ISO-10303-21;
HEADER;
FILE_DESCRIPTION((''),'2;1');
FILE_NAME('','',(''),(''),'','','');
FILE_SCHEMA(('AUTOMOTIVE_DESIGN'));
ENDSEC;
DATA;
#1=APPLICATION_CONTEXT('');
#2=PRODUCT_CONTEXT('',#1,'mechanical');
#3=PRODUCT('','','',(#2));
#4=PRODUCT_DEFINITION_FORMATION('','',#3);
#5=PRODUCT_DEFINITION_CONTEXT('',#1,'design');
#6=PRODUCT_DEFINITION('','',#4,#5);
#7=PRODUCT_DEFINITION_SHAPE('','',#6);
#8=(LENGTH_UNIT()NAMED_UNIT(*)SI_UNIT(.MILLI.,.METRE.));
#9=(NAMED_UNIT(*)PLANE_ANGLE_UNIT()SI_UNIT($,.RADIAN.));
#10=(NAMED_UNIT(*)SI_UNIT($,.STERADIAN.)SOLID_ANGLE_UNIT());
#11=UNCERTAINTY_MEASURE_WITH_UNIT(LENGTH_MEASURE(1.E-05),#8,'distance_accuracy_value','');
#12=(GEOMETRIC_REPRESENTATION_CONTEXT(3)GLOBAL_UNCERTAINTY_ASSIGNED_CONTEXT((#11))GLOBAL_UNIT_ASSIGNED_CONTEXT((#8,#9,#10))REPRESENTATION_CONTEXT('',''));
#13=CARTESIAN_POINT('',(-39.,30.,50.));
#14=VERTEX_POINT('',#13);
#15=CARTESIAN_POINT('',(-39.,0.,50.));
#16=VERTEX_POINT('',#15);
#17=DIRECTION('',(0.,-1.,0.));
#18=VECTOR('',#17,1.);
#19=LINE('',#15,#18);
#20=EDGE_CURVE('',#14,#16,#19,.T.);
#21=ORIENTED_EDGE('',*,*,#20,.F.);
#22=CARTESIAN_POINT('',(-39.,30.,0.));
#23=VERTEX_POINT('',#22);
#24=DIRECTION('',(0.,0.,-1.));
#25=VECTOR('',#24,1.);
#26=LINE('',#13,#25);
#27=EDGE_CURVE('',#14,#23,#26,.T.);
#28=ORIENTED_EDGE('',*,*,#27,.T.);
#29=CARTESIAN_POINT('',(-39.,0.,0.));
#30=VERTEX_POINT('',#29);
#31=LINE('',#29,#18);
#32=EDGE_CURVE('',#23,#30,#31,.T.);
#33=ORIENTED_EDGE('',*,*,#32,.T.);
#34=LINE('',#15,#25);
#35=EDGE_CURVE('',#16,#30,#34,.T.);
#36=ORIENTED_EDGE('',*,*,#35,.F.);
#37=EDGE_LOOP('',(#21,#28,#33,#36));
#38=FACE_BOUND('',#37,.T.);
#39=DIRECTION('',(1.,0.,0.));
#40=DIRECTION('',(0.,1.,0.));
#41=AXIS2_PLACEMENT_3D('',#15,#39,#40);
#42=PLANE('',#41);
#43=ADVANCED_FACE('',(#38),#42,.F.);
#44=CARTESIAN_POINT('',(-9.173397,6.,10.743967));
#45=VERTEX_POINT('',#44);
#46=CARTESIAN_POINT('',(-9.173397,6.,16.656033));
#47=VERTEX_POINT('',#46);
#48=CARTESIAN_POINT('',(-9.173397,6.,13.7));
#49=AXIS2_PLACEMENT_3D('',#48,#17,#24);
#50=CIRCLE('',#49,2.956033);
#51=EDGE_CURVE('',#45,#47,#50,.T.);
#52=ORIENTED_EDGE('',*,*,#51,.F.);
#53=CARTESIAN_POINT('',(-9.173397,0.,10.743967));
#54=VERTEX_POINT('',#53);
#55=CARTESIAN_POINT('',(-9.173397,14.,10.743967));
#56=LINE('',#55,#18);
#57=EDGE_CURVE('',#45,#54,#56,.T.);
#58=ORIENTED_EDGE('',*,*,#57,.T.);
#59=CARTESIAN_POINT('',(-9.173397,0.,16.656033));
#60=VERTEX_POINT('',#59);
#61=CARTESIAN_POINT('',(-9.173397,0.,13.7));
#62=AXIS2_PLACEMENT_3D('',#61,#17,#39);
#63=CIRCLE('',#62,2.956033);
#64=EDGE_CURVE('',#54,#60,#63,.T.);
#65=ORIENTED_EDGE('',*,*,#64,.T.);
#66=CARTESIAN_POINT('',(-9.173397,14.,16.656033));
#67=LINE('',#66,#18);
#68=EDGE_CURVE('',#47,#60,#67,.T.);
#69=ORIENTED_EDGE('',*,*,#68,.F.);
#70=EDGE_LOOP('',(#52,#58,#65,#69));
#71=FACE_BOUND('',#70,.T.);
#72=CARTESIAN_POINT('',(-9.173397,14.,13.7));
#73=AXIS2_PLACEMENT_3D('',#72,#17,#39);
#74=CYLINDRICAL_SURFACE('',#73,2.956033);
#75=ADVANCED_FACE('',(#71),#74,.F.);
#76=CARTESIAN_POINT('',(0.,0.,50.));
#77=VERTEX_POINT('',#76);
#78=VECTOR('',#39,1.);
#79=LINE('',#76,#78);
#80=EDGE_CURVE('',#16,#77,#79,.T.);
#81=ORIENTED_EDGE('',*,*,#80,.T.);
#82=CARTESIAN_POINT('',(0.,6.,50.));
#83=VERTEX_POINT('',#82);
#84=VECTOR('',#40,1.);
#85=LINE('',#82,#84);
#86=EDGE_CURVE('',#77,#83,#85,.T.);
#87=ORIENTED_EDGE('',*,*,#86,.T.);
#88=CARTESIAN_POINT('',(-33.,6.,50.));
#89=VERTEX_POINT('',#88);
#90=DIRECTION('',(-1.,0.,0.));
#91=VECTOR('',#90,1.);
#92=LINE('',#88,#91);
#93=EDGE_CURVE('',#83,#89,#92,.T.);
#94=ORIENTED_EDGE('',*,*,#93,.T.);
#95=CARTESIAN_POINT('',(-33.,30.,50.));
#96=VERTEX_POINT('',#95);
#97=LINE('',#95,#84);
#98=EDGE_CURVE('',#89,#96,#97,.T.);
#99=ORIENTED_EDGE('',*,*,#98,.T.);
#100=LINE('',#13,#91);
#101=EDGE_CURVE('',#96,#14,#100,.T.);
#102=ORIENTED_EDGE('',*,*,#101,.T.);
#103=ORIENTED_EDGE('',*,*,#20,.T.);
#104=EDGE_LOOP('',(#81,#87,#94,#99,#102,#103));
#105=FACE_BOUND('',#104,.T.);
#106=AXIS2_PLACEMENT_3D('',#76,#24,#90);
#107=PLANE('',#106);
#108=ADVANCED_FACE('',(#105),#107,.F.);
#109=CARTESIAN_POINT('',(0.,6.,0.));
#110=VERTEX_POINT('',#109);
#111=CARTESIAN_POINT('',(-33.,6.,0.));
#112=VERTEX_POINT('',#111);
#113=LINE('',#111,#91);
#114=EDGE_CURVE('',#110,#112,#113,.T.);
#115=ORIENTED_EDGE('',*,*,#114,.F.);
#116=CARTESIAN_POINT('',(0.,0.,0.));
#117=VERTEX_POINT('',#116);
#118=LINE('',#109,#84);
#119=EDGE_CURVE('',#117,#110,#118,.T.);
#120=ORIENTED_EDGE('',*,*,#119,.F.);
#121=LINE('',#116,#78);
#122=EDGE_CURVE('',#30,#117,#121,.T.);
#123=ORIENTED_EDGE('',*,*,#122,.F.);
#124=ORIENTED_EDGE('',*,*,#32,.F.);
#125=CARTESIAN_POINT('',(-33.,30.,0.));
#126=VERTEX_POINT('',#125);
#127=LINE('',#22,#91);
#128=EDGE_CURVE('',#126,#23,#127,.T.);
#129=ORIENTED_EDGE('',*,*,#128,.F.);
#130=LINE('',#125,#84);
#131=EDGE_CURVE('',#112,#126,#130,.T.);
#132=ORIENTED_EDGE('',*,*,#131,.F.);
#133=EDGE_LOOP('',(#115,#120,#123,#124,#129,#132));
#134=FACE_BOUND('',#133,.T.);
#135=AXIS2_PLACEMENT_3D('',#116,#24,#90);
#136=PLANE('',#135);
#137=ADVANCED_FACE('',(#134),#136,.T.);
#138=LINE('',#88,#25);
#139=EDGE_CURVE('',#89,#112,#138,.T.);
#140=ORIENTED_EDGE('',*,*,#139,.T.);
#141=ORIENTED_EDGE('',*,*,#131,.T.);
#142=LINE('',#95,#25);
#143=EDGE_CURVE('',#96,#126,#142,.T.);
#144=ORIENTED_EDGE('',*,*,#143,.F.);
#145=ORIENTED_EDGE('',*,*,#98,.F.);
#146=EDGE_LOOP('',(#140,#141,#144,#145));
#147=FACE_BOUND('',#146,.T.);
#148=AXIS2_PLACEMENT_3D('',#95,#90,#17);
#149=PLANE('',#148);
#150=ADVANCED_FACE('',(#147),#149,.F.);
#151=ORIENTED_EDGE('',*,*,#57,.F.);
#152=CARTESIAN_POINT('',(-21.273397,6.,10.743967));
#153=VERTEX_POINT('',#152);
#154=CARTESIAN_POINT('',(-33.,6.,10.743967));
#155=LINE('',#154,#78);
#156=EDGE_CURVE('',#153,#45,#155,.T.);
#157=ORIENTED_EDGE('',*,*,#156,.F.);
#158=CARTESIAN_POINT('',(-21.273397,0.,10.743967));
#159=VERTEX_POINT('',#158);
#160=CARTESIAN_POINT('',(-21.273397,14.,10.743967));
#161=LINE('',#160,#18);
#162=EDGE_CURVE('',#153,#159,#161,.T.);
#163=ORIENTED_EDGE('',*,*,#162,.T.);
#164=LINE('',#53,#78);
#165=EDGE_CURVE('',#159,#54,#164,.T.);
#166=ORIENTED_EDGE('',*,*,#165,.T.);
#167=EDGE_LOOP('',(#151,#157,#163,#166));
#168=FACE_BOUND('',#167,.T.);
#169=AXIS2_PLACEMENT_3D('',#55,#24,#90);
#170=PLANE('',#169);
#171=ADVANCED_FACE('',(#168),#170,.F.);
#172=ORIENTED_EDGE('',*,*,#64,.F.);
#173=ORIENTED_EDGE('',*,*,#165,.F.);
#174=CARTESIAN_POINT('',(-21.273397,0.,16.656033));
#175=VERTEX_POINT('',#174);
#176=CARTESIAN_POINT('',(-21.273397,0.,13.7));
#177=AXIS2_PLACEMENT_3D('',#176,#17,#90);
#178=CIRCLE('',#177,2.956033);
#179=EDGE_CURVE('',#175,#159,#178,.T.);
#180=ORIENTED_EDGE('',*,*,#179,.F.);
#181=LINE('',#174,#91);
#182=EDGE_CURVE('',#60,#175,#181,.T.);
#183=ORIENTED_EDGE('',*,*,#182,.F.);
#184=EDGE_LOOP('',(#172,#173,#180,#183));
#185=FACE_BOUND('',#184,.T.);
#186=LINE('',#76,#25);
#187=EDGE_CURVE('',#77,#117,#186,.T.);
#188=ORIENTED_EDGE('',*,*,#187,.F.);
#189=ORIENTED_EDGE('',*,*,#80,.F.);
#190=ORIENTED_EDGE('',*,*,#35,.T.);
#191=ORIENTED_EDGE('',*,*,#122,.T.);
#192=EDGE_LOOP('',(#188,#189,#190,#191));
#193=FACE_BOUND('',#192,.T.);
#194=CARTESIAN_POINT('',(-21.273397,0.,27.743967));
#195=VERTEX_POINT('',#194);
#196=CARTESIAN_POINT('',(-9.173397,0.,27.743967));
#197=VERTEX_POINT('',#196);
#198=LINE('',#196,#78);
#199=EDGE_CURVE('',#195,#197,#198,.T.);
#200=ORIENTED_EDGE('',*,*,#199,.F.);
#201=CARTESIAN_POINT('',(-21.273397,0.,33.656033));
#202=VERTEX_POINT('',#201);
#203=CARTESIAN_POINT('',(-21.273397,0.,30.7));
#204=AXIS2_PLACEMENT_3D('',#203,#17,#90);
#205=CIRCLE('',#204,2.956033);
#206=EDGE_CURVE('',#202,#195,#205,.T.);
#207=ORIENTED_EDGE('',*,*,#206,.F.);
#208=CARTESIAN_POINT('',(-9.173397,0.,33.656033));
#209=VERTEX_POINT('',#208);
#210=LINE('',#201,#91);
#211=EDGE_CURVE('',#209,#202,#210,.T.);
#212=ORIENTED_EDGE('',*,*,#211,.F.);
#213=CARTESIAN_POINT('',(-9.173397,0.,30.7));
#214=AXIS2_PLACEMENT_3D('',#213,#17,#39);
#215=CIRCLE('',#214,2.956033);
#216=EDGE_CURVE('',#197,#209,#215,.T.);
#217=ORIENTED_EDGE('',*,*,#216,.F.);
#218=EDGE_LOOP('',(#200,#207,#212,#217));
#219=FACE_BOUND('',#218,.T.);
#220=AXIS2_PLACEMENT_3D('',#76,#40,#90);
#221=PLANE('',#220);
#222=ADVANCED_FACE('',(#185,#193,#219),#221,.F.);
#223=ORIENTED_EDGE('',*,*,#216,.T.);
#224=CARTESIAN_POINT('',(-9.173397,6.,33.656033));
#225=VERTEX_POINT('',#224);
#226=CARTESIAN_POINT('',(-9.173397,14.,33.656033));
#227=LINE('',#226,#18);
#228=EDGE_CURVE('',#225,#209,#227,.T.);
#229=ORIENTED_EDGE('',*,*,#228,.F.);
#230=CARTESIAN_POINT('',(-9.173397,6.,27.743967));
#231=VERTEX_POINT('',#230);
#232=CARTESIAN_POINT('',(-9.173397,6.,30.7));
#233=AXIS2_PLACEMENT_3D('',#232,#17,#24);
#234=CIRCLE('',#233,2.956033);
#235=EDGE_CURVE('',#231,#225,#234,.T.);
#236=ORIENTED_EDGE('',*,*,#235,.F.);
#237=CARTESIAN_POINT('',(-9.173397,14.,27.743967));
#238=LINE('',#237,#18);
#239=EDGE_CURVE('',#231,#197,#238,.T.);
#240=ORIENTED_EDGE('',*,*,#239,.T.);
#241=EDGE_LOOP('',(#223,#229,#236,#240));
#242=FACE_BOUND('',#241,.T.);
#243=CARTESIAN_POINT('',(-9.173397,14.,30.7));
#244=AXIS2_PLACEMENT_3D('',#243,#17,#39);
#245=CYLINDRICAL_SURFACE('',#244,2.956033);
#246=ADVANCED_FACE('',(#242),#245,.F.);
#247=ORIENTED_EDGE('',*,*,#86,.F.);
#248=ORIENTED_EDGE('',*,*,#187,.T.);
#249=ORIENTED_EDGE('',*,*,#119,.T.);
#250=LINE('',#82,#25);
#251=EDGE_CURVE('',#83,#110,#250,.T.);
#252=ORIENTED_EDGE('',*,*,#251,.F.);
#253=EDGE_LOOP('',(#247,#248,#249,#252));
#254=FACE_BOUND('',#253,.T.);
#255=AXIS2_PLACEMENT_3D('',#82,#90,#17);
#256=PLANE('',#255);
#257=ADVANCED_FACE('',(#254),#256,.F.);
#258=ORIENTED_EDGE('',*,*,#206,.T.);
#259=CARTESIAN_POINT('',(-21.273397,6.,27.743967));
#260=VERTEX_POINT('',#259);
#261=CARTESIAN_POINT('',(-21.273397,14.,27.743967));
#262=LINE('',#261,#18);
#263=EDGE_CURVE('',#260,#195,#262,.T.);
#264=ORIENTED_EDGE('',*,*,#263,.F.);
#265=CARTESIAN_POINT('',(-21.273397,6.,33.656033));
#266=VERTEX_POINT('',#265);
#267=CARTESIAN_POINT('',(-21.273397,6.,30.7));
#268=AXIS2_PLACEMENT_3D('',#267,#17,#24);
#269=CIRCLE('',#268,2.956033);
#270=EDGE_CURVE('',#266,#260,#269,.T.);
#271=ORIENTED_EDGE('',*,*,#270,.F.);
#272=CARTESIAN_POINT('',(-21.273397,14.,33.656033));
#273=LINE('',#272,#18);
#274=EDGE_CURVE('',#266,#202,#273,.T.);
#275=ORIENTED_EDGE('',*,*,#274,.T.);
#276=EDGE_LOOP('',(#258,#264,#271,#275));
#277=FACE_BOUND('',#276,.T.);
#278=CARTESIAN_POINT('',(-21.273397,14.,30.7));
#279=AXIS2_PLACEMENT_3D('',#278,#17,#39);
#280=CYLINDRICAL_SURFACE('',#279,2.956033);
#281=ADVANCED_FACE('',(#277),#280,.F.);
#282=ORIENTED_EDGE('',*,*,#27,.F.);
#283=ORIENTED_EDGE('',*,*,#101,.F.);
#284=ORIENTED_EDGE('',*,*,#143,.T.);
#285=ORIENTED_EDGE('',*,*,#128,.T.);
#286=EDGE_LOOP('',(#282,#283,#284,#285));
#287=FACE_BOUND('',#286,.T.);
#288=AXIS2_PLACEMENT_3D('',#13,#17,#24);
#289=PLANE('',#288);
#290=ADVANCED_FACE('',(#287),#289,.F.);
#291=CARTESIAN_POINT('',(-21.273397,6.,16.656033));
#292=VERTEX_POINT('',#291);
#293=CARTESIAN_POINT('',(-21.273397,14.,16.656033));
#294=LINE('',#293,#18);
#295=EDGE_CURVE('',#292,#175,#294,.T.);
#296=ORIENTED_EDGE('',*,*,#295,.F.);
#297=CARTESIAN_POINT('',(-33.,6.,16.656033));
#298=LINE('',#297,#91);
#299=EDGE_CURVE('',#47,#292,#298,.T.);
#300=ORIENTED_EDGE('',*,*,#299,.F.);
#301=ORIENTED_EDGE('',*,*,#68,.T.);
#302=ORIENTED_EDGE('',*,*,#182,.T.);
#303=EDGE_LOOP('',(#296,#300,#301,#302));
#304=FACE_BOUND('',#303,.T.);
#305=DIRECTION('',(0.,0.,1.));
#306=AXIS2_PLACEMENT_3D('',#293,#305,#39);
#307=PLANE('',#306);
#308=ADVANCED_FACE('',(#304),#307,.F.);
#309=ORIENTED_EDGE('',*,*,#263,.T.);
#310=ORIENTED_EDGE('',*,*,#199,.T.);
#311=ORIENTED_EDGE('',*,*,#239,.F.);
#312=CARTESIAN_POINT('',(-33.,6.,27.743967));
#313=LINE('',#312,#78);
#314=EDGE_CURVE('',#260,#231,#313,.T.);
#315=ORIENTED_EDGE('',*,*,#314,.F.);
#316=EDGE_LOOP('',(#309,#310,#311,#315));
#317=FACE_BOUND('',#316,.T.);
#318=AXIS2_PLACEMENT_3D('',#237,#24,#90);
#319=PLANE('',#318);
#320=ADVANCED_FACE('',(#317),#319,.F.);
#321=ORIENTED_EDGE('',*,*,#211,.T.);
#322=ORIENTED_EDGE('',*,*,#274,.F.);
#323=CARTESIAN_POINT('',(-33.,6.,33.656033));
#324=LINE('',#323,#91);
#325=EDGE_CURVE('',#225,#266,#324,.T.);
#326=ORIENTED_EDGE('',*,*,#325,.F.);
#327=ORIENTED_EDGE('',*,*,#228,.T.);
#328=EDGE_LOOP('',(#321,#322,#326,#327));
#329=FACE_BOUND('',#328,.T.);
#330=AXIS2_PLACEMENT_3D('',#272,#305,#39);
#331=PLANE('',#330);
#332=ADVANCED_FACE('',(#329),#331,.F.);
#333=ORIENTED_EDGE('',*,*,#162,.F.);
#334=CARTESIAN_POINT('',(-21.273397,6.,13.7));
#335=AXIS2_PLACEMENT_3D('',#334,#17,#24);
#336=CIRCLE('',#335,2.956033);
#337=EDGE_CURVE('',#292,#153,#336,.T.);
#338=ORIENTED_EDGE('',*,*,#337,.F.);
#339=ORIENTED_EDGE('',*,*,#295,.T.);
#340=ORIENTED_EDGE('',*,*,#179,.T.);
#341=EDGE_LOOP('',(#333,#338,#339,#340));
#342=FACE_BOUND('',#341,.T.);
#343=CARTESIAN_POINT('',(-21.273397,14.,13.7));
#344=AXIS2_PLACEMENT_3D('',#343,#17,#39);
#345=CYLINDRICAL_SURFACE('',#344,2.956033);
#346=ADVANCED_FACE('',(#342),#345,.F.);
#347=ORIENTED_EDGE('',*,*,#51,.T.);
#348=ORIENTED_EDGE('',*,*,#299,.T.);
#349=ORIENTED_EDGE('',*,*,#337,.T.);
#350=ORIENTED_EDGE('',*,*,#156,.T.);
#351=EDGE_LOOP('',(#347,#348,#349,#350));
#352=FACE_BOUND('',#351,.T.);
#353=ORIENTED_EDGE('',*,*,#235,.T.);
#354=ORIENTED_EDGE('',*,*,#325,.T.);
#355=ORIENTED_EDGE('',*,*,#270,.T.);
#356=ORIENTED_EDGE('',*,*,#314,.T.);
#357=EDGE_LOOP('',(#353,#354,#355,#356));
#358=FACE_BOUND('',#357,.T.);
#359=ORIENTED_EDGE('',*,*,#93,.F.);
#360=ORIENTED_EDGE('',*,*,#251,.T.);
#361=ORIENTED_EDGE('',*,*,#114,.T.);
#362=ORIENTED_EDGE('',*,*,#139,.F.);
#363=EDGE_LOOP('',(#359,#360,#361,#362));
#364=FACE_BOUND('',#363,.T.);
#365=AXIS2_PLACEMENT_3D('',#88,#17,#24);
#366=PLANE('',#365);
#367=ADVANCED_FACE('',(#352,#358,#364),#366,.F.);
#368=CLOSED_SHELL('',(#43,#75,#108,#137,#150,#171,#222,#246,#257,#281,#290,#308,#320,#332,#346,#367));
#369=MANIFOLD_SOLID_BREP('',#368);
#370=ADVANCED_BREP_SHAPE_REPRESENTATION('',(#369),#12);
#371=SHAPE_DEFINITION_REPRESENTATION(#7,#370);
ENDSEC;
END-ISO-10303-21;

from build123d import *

# Parameters (mm, degrees)
BOSS_EXTRUDE1_DEPTH = 50
CUT_EXTRUDE1_DEPTH  = 14


with BuildPart() as part:
    # Sketch1 → Boss-Extrude1 (new body)
    with BuildSketch(Plane.XY):
        Polygon((0, 0), (-39, 0), (-39, 30), (-33, 30), (-33, 6), (0, 6), align=None)
    extrude(amount=BOSS_EXTRUDE1_DEPTH)

    # Sketch2 → Cut-Extrude1 (cut)
    with BuildSketch(Plane.XZ):
        with BuildLine():
            Line((-21.273396894, 33.65603272), (-9.173396894, 33.65603272))
            ThreePointArc((-9.173396894, 33.65603272), (-6.217364174, 30.7), (-9.173396894, 27.74396728))
            Line((-9.173396894, 27.74396728), (-21.273396894, 27.74396728))
            ThreePointArc((-21.273396894, 27.74396728), (-24.229429614, 30.7), (-21.273396894, 33.65603272))
        make_face()
        with BuildLine():
            Line((-21.273396894, 16.65603272), (-9.173396894, 16.65603272))
            ThreePointArc((-9.173396894, 16.65603272), (-6.217364174, 13.7), (-9.173396894, 10.74396728))
            Line((-9.173396894, 10.74396728), (-21.273396894, 10.74396728))
            ThreePointArc((-21.273396894, 10.74396728), (-24.229429614, 13.7), (-21.273396894, 16.65603272))
        make_face()
    extrude(amount=-CUT_EXTRUDE1_DEPTH, mode=Mode.SUBTRACT)


solid = part.part
